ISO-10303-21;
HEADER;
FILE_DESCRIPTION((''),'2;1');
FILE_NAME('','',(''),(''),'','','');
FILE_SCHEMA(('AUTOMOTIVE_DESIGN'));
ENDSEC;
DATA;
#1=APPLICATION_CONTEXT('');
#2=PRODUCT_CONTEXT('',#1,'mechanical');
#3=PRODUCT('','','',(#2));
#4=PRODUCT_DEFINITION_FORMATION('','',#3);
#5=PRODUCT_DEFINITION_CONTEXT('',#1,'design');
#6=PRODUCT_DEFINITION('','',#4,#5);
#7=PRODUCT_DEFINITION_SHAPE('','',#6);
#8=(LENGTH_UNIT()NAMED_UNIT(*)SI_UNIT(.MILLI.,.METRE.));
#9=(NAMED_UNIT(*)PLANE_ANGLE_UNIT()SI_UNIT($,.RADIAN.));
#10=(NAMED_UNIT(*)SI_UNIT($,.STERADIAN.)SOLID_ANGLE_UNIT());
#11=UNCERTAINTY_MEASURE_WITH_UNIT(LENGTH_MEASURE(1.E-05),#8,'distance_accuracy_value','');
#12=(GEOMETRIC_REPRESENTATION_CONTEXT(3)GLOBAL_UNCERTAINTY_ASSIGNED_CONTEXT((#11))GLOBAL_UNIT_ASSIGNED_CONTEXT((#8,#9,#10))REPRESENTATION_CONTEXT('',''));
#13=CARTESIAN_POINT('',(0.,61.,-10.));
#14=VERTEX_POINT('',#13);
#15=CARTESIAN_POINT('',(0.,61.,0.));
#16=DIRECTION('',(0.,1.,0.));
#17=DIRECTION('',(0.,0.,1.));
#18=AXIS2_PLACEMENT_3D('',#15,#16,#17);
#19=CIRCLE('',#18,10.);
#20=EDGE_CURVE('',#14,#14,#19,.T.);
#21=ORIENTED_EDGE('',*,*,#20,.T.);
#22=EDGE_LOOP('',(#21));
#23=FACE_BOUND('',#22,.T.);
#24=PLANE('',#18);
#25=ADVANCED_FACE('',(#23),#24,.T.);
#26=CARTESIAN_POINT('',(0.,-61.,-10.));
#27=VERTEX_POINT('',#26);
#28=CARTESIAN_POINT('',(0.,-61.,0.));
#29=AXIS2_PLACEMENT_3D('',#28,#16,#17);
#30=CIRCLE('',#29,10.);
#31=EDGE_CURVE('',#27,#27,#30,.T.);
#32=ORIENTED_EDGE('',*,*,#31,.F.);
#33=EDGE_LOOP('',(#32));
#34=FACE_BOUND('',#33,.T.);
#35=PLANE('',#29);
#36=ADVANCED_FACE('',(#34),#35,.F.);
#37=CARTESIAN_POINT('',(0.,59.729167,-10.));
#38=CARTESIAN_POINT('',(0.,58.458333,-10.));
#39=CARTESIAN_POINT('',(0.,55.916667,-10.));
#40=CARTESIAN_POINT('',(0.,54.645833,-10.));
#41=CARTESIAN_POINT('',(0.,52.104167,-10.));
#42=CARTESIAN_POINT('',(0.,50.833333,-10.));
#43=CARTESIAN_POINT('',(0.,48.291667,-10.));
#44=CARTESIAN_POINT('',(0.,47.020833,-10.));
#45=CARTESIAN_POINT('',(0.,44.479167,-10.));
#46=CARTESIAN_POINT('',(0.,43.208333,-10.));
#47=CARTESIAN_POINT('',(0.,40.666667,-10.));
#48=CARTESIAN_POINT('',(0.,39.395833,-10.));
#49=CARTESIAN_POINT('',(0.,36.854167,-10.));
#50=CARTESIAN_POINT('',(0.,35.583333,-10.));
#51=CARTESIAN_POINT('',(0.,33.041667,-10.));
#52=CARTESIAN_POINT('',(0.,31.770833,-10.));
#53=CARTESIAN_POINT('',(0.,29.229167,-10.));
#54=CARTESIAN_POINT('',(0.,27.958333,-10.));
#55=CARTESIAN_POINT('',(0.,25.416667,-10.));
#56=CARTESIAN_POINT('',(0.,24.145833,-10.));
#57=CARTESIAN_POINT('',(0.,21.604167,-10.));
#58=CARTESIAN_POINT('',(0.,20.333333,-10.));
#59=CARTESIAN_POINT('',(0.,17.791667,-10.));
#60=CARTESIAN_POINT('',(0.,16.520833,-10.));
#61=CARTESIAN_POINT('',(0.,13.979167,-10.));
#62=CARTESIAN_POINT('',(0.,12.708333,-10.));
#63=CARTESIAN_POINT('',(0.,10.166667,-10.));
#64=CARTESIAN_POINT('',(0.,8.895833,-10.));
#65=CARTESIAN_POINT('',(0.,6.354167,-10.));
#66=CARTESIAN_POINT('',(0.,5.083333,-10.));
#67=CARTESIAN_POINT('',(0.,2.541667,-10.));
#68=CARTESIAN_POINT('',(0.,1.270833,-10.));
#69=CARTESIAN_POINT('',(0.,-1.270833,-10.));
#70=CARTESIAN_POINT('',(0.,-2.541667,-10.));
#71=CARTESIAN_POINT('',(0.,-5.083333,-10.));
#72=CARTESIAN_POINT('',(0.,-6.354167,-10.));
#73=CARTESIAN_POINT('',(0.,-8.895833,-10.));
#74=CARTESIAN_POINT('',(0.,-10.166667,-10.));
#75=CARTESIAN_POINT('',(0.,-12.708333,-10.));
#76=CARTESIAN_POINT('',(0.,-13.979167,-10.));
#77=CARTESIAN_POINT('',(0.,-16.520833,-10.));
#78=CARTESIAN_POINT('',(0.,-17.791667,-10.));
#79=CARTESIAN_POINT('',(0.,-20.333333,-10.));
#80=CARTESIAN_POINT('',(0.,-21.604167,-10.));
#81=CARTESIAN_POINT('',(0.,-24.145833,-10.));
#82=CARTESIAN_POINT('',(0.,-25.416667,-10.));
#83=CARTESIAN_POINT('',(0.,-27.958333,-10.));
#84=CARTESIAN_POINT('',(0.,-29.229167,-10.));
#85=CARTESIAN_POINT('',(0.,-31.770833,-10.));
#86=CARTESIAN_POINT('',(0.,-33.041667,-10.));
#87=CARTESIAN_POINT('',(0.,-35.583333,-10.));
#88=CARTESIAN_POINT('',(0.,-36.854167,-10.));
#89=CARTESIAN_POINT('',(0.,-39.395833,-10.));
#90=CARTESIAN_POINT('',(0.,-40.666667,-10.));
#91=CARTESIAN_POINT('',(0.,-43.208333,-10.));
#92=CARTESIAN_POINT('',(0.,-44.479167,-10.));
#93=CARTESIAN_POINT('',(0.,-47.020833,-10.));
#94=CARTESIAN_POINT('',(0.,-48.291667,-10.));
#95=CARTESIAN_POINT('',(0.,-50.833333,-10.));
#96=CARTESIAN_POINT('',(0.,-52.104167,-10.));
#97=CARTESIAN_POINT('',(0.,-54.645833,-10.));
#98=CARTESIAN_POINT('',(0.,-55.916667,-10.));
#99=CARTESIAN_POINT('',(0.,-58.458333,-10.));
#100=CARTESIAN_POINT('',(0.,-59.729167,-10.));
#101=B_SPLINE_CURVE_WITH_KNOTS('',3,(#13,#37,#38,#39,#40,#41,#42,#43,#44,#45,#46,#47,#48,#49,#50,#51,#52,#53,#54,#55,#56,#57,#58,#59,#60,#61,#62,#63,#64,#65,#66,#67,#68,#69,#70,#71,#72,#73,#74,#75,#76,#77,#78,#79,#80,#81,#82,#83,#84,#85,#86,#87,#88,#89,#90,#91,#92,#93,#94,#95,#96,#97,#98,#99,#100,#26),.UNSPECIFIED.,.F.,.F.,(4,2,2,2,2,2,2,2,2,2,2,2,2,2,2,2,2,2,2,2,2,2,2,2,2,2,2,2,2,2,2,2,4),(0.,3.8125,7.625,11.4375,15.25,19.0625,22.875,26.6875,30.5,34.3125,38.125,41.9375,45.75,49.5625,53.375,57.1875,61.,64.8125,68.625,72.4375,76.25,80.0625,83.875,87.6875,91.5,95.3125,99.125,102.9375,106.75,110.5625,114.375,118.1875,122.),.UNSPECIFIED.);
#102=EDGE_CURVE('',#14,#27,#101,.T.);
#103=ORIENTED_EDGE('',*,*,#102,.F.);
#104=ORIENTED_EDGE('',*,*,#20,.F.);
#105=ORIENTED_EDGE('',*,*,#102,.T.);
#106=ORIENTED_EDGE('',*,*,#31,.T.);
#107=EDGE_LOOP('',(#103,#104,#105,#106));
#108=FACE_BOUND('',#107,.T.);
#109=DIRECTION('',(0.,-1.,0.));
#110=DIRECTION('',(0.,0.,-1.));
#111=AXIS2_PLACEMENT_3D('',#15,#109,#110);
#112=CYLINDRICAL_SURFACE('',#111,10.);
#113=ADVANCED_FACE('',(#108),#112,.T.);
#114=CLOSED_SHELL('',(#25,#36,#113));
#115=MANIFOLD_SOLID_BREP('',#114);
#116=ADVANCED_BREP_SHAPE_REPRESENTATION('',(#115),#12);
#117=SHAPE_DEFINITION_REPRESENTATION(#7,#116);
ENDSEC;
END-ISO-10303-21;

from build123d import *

# Parameters (mm, degrees)
SKETCH1_R           = 10
BOSS_EXTRUDE1_DEPTH = 61


with BuildPart() as part:
    # Sketch1 → Boss-Extrude1 (new, symmetric)
    with BuildSketch(Plane(origin=(0, 0, 0), x_dir=(1, 0, 0), z_dir=(0, 1, 0))):
        with Locations(Location((0, 0, 0), (0, 0, 90))):
            Circle(SKETCH1_R)
    extrude(amount=BOSS_EXTRUDE1_DEPTH, both=True)


solid = part.part
